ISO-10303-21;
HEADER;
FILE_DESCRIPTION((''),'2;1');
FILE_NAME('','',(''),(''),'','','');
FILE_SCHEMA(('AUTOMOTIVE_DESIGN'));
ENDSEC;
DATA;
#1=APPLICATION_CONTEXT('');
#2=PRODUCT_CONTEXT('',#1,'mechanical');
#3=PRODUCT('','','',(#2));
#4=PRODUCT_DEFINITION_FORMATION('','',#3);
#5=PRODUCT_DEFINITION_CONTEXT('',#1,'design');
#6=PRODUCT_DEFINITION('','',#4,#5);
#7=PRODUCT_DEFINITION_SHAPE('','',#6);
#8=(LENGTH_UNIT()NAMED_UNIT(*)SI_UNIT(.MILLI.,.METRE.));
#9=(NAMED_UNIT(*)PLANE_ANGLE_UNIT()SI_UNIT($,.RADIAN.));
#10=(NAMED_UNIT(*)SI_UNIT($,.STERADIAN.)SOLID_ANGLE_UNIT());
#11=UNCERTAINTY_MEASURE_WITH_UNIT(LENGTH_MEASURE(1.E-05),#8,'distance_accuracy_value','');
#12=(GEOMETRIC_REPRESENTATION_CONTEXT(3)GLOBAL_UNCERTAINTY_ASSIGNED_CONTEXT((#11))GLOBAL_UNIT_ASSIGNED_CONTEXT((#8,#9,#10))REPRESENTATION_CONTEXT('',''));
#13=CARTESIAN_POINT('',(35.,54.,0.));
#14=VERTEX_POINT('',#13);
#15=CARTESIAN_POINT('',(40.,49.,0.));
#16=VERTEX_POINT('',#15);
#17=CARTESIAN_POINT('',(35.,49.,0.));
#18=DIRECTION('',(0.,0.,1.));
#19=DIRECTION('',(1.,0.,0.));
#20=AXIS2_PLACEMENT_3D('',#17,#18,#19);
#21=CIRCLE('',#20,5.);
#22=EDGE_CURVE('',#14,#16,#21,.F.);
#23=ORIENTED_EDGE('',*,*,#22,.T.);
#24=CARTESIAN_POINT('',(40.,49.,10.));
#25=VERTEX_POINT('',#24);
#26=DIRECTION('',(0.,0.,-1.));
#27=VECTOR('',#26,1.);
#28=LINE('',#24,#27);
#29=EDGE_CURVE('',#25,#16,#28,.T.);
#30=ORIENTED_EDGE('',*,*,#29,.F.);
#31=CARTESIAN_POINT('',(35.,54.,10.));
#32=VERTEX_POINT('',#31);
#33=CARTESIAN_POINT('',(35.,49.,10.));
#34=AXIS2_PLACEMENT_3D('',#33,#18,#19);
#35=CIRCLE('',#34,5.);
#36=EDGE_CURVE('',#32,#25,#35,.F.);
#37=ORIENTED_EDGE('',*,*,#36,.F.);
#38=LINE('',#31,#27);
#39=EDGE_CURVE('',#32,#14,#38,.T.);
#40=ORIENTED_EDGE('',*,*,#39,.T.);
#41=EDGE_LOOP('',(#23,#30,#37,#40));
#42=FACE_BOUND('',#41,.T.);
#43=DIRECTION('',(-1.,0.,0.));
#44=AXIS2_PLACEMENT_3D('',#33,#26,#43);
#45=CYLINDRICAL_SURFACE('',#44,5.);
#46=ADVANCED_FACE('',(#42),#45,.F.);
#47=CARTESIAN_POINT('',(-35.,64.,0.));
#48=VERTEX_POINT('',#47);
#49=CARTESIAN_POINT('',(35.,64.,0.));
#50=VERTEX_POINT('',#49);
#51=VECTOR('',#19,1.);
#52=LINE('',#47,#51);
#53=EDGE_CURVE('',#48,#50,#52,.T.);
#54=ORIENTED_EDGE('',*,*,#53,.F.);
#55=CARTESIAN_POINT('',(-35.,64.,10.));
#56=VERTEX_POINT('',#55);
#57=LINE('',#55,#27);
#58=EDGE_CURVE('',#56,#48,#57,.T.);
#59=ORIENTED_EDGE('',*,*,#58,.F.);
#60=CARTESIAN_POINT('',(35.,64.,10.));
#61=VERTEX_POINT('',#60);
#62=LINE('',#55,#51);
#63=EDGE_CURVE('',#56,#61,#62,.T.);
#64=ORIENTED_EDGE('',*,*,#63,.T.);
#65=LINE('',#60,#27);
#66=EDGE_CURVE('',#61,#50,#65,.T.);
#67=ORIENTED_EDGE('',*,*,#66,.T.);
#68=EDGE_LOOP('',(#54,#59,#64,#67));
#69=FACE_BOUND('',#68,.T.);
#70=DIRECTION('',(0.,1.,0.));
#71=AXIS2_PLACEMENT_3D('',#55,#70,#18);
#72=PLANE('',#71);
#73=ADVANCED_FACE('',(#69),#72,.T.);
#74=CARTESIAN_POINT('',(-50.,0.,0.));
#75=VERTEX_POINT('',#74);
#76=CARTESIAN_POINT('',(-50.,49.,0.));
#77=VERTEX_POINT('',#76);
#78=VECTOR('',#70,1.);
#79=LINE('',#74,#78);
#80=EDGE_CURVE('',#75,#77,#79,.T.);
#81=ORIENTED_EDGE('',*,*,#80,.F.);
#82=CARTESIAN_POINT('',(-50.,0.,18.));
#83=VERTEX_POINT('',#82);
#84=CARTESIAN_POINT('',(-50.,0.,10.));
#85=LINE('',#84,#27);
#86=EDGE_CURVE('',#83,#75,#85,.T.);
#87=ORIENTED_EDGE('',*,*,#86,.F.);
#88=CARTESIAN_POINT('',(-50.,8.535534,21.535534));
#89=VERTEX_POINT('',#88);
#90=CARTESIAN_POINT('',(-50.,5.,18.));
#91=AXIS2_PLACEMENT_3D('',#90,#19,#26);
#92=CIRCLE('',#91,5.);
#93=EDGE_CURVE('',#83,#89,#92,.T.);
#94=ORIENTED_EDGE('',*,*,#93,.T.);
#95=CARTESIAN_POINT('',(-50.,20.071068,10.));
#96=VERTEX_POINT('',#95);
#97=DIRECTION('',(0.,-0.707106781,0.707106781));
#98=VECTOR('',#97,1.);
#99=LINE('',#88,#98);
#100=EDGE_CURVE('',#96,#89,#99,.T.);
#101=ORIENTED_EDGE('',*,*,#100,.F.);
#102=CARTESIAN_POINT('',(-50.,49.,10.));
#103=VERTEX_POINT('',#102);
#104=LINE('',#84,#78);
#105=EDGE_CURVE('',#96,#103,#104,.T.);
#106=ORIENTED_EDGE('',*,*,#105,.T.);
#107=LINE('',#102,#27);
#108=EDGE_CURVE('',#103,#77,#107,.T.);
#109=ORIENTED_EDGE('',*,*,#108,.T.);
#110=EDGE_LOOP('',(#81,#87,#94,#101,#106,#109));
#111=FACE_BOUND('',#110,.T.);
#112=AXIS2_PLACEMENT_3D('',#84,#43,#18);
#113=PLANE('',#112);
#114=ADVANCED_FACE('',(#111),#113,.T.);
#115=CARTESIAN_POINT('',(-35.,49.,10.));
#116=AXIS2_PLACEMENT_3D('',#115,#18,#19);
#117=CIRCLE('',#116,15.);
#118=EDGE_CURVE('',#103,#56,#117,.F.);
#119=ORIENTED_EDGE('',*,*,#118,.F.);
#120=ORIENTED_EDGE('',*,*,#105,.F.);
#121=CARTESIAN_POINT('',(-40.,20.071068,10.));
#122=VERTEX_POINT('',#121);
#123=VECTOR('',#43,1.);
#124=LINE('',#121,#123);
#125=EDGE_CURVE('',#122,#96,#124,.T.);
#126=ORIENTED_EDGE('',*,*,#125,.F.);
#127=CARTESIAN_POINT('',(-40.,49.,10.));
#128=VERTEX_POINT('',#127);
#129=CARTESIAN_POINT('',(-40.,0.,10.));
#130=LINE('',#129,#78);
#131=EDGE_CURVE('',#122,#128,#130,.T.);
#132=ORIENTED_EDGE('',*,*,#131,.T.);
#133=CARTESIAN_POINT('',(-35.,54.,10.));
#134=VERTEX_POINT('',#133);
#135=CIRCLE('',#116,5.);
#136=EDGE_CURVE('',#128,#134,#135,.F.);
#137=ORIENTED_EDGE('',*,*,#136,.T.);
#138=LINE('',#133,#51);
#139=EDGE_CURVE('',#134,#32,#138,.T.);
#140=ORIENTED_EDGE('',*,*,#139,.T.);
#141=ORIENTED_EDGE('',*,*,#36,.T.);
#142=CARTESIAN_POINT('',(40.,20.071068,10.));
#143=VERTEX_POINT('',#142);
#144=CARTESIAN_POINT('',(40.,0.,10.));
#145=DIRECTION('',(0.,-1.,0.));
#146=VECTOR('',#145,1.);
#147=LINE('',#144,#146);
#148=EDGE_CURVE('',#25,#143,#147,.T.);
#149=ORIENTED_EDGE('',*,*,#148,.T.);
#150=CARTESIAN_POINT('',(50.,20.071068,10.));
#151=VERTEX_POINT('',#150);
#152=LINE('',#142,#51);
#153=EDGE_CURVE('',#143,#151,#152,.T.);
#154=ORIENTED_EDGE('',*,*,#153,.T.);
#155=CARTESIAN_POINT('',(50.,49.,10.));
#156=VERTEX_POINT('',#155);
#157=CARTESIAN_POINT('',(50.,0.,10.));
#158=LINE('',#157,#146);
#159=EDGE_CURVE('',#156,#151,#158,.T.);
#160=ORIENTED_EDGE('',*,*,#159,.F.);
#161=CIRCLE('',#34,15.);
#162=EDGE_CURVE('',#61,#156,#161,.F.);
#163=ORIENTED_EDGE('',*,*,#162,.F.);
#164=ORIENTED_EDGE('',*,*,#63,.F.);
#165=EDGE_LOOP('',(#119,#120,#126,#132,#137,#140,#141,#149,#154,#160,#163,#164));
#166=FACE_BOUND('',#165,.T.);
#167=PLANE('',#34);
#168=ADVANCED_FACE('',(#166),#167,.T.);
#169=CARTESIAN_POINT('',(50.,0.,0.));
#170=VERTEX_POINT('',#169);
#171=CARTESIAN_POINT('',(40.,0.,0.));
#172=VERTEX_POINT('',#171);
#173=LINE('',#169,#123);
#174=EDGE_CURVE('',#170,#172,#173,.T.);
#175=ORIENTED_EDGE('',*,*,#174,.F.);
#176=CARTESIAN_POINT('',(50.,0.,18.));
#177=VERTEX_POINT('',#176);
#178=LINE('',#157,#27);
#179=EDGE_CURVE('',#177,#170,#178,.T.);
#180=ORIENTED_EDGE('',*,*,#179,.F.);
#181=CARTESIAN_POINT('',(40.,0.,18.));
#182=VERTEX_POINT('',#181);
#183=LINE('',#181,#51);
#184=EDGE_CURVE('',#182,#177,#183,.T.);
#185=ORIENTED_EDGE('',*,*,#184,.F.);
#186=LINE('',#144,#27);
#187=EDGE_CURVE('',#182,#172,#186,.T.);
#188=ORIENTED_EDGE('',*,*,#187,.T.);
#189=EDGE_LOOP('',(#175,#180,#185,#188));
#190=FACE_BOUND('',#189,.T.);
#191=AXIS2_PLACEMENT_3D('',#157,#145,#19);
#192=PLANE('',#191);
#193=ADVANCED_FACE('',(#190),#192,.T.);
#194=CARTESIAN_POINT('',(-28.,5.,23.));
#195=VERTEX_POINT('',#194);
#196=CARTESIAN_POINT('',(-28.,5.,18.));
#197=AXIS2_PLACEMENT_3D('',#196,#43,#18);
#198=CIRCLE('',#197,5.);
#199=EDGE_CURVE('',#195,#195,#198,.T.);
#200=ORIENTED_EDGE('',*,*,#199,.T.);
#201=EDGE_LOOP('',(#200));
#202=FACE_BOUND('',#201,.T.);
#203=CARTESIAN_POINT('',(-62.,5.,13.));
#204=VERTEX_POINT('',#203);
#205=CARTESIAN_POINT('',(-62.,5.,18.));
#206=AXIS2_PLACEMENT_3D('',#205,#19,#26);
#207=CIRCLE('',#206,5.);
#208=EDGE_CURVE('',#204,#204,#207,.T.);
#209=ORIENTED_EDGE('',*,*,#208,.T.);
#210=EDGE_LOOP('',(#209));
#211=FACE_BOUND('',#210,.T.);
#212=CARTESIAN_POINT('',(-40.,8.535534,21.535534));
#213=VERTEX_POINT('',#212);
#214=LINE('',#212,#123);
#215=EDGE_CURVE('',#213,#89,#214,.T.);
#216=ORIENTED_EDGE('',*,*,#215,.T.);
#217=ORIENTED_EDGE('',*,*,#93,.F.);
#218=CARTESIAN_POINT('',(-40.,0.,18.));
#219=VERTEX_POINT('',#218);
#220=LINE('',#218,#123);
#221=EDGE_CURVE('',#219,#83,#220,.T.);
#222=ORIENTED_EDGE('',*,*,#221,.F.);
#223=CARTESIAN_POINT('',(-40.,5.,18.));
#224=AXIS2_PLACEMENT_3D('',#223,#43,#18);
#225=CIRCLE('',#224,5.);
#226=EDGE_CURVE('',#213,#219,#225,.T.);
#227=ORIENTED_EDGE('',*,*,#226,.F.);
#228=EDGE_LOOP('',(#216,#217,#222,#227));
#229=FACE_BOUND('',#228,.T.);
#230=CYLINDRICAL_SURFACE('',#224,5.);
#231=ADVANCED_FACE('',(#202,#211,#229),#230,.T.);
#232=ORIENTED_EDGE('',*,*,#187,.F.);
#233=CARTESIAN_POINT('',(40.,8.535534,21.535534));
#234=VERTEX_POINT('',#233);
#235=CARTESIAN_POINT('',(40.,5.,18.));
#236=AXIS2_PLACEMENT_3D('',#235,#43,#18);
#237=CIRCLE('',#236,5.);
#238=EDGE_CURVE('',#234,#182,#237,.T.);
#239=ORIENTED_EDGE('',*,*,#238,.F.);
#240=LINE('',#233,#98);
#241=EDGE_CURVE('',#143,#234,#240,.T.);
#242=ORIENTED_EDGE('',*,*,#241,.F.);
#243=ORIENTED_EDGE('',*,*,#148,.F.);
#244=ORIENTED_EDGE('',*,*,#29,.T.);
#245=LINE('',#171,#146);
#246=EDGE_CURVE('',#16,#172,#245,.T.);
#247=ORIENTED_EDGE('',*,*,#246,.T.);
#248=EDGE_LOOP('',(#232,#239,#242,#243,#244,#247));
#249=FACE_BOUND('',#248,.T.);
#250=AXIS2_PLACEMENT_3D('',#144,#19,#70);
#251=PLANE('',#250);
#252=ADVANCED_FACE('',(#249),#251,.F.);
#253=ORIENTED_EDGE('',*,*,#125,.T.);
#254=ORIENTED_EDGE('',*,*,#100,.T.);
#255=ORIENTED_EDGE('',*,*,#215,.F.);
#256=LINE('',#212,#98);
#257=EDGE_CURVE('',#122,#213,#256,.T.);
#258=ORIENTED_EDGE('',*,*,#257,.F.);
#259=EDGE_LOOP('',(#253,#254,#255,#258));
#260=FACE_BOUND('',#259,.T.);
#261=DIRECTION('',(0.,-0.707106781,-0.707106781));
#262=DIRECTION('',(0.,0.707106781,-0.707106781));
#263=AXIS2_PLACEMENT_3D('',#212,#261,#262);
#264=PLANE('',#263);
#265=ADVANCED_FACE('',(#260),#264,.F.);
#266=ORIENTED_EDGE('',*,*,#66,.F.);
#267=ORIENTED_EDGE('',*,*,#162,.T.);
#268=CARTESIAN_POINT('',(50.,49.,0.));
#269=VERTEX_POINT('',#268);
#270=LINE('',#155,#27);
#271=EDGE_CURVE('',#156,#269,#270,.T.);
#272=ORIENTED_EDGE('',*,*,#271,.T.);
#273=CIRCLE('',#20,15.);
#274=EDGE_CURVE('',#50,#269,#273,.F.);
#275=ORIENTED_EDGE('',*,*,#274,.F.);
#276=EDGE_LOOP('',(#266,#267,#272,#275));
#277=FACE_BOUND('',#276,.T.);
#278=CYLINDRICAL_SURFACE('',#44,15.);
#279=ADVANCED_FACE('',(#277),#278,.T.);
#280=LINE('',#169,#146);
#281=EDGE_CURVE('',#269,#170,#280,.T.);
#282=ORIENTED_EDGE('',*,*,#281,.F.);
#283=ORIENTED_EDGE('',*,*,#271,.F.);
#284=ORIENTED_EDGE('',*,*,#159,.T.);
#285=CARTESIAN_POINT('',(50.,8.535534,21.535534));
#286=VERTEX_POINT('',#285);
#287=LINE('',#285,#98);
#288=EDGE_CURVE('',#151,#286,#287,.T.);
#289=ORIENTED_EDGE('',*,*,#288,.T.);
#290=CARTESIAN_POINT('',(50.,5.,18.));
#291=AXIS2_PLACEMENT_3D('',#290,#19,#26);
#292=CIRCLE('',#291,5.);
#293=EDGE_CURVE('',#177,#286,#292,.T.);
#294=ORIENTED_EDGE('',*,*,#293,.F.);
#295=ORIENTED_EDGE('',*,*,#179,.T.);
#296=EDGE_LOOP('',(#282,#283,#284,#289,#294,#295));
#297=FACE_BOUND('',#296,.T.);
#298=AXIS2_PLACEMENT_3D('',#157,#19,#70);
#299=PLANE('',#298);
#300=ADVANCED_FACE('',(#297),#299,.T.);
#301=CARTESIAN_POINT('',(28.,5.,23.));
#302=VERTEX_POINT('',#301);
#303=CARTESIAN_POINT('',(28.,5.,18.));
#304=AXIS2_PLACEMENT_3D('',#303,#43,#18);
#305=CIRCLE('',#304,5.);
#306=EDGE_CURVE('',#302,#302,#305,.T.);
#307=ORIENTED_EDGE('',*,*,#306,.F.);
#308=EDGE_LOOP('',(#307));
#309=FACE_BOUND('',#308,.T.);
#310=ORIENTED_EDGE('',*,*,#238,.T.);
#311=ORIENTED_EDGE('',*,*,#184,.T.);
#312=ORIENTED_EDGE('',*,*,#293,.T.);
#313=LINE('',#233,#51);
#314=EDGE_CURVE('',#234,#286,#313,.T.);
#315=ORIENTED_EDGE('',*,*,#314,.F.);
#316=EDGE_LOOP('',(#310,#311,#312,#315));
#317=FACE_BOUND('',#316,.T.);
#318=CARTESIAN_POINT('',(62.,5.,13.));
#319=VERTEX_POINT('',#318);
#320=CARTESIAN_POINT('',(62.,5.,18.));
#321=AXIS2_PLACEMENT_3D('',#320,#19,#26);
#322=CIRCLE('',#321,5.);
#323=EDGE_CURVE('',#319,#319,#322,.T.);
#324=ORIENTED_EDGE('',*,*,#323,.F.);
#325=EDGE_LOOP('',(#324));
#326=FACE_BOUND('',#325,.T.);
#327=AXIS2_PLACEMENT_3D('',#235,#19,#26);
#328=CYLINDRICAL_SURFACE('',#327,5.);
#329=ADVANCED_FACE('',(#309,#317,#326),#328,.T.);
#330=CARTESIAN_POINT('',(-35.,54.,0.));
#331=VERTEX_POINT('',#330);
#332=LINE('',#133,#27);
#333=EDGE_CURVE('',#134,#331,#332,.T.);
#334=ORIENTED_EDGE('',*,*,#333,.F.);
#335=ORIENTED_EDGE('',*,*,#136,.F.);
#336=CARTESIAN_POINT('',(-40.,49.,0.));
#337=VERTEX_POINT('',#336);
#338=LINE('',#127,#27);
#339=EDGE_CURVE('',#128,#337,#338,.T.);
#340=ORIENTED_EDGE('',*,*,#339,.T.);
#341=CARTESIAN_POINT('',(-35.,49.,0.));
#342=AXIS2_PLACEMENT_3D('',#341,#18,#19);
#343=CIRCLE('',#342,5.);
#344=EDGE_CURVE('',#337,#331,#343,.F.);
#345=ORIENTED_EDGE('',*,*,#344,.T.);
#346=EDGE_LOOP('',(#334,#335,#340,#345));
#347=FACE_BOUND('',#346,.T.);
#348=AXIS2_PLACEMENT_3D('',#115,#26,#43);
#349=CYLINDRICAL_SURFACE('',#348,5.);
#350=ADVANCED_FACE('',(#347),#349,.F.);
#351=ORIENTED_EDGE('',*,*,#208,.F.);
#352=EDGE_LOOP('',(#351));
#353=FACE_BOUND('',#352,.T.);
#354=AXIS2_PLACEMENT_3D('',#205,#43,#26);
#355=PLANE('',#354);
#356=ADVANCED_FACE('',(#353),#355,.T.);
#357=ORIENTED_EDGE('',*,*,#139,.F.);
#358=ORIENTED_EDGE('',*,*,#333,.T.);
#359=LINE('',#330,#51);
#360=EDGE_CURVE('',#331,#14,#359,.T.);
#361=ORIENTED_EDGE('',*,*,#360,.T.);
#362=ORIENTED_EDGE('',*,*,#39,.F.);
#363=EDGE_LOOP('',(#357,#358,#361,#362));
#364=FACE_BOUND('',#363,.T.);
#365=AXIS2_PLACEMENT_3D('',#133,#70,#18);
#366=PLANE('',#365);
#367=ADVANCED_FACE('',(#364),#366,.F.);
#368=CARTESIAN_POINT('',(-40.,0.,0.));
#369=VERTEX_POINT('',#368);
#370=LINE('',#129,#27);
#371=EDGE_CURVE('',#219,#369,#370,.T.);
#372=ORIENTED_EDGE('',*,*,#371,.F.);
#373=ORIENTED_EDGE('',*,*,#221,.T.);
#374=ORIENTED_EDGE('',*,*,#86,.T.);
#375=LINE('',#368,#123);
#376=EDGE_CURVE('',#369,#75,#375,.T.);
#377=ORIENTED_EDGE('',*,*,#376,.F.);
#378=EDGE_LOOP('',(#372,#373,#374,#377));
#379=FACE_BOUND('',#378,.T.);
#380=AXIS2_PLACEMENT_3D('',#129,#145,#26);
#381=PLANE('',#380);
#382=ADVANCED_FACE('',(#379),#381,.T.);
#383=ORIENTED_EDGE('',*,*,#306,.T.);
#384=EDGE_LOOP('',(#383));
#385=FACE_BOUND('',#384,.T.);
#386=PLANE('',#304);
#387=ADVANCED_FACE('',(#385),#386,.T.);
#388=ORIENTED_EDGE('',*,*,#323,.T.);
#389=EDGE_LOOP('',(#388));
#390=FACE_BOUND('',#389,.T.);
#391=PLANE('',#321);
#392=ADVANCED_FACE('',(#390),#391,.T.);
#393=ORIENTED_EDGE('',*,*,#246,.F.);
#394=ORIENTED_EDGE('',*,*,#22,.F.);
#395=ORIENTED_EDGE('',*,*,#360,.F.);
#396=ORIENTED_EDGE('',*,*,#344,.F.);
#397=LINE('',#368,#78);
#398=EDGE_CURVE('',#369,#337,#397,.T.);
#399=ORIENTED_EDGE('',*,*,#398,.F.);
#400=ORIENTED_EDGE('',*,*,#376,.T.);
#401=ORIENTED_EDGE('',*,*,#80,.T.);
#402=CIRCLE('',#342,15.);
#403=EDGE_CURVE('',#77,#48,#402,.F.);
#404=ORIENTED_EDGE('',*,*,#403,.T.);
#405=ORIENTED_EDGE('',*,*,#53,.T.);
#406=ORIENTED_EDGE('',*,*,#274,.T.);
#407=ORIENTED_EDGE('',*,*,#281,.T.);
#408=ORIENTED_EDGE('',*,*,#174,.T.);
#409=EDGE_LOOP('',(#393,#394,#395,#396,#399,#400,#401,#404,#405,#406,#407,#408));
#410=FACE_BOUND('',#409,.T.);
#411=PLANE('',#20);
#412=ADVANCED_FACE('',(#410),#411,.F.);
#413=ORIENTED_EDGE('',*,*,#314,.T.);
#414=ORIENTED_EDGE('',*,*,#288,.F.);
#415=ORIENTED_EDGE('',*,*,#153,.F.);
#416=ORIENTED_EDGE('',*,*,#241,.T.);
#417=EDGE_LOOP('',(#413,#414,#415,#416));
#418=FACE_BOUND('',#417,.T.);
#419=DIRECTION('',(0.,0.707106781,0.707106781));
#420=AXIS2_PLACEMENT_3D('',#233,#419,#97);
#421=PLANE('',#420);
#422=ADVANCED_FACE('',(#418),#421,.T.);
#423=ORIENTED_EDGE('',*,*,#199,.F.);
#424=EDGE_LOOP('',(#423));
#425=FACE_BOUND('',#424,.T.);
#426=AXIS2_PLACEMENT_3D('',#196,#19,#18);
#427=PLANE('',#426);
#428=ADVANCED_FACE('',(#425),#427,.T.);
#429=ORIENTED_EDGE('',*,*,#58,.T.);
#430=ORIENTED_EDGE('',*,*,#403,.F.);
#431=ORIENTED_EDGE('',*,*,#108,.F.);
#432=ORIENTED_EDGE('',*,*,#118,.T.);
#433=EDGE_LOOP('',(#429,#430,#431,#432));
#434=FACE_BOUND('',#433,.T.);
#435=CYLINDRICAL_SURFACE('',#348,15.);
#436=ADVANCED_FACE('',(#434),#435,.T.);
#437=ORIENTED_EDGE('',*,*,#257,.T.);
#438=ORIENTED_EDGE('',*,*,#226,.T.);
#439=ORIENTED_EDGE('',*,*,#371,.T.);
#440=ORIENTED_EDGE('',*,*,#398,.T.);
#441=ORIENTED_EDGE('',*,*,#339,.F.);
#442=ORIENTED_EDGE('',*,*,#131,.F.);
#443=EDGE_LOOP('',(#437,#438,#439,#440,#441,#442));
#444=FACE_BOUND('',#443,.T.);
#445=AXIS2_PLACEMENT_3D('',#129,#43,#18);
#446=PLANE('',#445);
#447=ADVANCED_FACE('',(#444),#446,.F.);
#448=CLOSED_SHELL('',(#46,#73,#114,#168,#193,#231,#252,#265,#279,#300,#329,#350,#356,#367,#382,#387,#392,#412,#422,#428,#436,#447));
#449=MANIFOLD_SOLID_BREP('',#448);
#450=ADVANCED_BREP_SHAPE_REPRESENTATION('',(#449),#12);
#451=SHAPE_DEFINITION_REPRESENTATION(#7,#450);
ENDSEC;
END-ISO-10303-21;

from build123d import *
from build123d.topology import SkipClean

# Parameters (mm, degrees)
EXTRUDE_1_DEPTH   = 10
EXTRUDE_1_2_DEPTH = 10
SKETCH_4_R        = 5
EXTRUDE_3_DEPTH   = 12
SKETCH_7_R        = 5
EXTRUDE_4_DEPTH   = 12


with BuildPart() as part:
    # 草图1 → Extrude 1 (new body)
    with BuildSketch(Plane.XY):
        with BuildLine():
            Line((50, 0), (50, 49))
            ThreePointArc((50, 49), (45.606601718, 59.606601718), (35, 64))
            Line((35, 64), (-35, 64))
            ThreePointArc((-35, 64), (-45.606601718, 59.606601718), (-50, 49))
            Line((-50, 49), (-50, 0))
            Line((-50, 0), (-40, 0))
            Line((-40, 0), (-40, 49))
            ThreePointArc((-40, 49), (-38.535533906, 52.535533906), (-35, 54))
            Line((-35, 54), (35, 54))
            ThreePointArc((35, 54), (38.535533906, 52.535533906), (40, 49))
            Line((40, 49), (40, 0))
            Line((40, 0), (50, 0))
        make_face()
    extrude(amount=EXTRUDE_1_DEPTH)

    # 草图2 → Extrude 1 2 (add)
    with BuildSketch(Plane(origin=(50, 0, 0), x_dir=(0, 0, -1), z_dir=(1, 0, 0))):
        with BuildLine():
            Line((0, 17.071067812), (0, 0))
            Line((0, 0), (-18, 0))
            ThreePointArc((-18, 0), (-22.619397663, 3.086582838), (-21.535533906, 8.535533906))
            Line((-21.535533906, 8.535533906), (-10, 20.071067812))
            Line((-10, 20.071067812), (0, 20.071067812))
            Line((0, 20.071067812), (0, 17.071067812))
        make_face()
    extrude_1_2 = extrude(amount=-EXTRUDE_1_2_DEPTH)

    # 草图4 → 凸台-拉伸3 (add)
    with BuildSketch(Plane.ZY.offset(-40)):
        with Locations(Location((18, 5, 0), (0, 0, 270))):
            Circle(SKETCH_4_R)
    extrude_3 = extrude(amount=EXTRUDE_3_DEPTH)

    # 镜向3: Extrude 1 2, 凸台-拉伸3 across plane
    add(extrude_1_2.mirror(Plane(origin=(0, 0, 0), x_dir=(0, 0, 1), z_dir=(1, 0, 0))))
    add(extrude_3.mirror(Plane(origin=(0, 0, 0), x_dir=(0, 0, 1), z_dir=(1, 0, 0))))

    # 草图7 → 凸台-拉伸4 (add)
    with SkipClean():  # the faces are left unmerged after this step: merging them gives an invalid solid
        with BuildSketch(Plane(origin=(50, 0, 0), x_dir=(0, 0, -1), z_dir=(1, 0, 0))):
            with Locations((-18, 5)):
                Circle(SKETCH_7_R)
        extrude_4 = extrude(amount=EXTRUDE_4_DEPTH)

    # 镜向4: 凸台-拉伸4 across plane
    with SkipClean():  # the faces are left unmerged after this step: merging them gives an invalid solid
        add(extrude_4.mirror(Plane(origin=(0, 0, 0), x_dir=(0, 0, 1), z_dir=(1, 0, 0))))


solid = part.part
